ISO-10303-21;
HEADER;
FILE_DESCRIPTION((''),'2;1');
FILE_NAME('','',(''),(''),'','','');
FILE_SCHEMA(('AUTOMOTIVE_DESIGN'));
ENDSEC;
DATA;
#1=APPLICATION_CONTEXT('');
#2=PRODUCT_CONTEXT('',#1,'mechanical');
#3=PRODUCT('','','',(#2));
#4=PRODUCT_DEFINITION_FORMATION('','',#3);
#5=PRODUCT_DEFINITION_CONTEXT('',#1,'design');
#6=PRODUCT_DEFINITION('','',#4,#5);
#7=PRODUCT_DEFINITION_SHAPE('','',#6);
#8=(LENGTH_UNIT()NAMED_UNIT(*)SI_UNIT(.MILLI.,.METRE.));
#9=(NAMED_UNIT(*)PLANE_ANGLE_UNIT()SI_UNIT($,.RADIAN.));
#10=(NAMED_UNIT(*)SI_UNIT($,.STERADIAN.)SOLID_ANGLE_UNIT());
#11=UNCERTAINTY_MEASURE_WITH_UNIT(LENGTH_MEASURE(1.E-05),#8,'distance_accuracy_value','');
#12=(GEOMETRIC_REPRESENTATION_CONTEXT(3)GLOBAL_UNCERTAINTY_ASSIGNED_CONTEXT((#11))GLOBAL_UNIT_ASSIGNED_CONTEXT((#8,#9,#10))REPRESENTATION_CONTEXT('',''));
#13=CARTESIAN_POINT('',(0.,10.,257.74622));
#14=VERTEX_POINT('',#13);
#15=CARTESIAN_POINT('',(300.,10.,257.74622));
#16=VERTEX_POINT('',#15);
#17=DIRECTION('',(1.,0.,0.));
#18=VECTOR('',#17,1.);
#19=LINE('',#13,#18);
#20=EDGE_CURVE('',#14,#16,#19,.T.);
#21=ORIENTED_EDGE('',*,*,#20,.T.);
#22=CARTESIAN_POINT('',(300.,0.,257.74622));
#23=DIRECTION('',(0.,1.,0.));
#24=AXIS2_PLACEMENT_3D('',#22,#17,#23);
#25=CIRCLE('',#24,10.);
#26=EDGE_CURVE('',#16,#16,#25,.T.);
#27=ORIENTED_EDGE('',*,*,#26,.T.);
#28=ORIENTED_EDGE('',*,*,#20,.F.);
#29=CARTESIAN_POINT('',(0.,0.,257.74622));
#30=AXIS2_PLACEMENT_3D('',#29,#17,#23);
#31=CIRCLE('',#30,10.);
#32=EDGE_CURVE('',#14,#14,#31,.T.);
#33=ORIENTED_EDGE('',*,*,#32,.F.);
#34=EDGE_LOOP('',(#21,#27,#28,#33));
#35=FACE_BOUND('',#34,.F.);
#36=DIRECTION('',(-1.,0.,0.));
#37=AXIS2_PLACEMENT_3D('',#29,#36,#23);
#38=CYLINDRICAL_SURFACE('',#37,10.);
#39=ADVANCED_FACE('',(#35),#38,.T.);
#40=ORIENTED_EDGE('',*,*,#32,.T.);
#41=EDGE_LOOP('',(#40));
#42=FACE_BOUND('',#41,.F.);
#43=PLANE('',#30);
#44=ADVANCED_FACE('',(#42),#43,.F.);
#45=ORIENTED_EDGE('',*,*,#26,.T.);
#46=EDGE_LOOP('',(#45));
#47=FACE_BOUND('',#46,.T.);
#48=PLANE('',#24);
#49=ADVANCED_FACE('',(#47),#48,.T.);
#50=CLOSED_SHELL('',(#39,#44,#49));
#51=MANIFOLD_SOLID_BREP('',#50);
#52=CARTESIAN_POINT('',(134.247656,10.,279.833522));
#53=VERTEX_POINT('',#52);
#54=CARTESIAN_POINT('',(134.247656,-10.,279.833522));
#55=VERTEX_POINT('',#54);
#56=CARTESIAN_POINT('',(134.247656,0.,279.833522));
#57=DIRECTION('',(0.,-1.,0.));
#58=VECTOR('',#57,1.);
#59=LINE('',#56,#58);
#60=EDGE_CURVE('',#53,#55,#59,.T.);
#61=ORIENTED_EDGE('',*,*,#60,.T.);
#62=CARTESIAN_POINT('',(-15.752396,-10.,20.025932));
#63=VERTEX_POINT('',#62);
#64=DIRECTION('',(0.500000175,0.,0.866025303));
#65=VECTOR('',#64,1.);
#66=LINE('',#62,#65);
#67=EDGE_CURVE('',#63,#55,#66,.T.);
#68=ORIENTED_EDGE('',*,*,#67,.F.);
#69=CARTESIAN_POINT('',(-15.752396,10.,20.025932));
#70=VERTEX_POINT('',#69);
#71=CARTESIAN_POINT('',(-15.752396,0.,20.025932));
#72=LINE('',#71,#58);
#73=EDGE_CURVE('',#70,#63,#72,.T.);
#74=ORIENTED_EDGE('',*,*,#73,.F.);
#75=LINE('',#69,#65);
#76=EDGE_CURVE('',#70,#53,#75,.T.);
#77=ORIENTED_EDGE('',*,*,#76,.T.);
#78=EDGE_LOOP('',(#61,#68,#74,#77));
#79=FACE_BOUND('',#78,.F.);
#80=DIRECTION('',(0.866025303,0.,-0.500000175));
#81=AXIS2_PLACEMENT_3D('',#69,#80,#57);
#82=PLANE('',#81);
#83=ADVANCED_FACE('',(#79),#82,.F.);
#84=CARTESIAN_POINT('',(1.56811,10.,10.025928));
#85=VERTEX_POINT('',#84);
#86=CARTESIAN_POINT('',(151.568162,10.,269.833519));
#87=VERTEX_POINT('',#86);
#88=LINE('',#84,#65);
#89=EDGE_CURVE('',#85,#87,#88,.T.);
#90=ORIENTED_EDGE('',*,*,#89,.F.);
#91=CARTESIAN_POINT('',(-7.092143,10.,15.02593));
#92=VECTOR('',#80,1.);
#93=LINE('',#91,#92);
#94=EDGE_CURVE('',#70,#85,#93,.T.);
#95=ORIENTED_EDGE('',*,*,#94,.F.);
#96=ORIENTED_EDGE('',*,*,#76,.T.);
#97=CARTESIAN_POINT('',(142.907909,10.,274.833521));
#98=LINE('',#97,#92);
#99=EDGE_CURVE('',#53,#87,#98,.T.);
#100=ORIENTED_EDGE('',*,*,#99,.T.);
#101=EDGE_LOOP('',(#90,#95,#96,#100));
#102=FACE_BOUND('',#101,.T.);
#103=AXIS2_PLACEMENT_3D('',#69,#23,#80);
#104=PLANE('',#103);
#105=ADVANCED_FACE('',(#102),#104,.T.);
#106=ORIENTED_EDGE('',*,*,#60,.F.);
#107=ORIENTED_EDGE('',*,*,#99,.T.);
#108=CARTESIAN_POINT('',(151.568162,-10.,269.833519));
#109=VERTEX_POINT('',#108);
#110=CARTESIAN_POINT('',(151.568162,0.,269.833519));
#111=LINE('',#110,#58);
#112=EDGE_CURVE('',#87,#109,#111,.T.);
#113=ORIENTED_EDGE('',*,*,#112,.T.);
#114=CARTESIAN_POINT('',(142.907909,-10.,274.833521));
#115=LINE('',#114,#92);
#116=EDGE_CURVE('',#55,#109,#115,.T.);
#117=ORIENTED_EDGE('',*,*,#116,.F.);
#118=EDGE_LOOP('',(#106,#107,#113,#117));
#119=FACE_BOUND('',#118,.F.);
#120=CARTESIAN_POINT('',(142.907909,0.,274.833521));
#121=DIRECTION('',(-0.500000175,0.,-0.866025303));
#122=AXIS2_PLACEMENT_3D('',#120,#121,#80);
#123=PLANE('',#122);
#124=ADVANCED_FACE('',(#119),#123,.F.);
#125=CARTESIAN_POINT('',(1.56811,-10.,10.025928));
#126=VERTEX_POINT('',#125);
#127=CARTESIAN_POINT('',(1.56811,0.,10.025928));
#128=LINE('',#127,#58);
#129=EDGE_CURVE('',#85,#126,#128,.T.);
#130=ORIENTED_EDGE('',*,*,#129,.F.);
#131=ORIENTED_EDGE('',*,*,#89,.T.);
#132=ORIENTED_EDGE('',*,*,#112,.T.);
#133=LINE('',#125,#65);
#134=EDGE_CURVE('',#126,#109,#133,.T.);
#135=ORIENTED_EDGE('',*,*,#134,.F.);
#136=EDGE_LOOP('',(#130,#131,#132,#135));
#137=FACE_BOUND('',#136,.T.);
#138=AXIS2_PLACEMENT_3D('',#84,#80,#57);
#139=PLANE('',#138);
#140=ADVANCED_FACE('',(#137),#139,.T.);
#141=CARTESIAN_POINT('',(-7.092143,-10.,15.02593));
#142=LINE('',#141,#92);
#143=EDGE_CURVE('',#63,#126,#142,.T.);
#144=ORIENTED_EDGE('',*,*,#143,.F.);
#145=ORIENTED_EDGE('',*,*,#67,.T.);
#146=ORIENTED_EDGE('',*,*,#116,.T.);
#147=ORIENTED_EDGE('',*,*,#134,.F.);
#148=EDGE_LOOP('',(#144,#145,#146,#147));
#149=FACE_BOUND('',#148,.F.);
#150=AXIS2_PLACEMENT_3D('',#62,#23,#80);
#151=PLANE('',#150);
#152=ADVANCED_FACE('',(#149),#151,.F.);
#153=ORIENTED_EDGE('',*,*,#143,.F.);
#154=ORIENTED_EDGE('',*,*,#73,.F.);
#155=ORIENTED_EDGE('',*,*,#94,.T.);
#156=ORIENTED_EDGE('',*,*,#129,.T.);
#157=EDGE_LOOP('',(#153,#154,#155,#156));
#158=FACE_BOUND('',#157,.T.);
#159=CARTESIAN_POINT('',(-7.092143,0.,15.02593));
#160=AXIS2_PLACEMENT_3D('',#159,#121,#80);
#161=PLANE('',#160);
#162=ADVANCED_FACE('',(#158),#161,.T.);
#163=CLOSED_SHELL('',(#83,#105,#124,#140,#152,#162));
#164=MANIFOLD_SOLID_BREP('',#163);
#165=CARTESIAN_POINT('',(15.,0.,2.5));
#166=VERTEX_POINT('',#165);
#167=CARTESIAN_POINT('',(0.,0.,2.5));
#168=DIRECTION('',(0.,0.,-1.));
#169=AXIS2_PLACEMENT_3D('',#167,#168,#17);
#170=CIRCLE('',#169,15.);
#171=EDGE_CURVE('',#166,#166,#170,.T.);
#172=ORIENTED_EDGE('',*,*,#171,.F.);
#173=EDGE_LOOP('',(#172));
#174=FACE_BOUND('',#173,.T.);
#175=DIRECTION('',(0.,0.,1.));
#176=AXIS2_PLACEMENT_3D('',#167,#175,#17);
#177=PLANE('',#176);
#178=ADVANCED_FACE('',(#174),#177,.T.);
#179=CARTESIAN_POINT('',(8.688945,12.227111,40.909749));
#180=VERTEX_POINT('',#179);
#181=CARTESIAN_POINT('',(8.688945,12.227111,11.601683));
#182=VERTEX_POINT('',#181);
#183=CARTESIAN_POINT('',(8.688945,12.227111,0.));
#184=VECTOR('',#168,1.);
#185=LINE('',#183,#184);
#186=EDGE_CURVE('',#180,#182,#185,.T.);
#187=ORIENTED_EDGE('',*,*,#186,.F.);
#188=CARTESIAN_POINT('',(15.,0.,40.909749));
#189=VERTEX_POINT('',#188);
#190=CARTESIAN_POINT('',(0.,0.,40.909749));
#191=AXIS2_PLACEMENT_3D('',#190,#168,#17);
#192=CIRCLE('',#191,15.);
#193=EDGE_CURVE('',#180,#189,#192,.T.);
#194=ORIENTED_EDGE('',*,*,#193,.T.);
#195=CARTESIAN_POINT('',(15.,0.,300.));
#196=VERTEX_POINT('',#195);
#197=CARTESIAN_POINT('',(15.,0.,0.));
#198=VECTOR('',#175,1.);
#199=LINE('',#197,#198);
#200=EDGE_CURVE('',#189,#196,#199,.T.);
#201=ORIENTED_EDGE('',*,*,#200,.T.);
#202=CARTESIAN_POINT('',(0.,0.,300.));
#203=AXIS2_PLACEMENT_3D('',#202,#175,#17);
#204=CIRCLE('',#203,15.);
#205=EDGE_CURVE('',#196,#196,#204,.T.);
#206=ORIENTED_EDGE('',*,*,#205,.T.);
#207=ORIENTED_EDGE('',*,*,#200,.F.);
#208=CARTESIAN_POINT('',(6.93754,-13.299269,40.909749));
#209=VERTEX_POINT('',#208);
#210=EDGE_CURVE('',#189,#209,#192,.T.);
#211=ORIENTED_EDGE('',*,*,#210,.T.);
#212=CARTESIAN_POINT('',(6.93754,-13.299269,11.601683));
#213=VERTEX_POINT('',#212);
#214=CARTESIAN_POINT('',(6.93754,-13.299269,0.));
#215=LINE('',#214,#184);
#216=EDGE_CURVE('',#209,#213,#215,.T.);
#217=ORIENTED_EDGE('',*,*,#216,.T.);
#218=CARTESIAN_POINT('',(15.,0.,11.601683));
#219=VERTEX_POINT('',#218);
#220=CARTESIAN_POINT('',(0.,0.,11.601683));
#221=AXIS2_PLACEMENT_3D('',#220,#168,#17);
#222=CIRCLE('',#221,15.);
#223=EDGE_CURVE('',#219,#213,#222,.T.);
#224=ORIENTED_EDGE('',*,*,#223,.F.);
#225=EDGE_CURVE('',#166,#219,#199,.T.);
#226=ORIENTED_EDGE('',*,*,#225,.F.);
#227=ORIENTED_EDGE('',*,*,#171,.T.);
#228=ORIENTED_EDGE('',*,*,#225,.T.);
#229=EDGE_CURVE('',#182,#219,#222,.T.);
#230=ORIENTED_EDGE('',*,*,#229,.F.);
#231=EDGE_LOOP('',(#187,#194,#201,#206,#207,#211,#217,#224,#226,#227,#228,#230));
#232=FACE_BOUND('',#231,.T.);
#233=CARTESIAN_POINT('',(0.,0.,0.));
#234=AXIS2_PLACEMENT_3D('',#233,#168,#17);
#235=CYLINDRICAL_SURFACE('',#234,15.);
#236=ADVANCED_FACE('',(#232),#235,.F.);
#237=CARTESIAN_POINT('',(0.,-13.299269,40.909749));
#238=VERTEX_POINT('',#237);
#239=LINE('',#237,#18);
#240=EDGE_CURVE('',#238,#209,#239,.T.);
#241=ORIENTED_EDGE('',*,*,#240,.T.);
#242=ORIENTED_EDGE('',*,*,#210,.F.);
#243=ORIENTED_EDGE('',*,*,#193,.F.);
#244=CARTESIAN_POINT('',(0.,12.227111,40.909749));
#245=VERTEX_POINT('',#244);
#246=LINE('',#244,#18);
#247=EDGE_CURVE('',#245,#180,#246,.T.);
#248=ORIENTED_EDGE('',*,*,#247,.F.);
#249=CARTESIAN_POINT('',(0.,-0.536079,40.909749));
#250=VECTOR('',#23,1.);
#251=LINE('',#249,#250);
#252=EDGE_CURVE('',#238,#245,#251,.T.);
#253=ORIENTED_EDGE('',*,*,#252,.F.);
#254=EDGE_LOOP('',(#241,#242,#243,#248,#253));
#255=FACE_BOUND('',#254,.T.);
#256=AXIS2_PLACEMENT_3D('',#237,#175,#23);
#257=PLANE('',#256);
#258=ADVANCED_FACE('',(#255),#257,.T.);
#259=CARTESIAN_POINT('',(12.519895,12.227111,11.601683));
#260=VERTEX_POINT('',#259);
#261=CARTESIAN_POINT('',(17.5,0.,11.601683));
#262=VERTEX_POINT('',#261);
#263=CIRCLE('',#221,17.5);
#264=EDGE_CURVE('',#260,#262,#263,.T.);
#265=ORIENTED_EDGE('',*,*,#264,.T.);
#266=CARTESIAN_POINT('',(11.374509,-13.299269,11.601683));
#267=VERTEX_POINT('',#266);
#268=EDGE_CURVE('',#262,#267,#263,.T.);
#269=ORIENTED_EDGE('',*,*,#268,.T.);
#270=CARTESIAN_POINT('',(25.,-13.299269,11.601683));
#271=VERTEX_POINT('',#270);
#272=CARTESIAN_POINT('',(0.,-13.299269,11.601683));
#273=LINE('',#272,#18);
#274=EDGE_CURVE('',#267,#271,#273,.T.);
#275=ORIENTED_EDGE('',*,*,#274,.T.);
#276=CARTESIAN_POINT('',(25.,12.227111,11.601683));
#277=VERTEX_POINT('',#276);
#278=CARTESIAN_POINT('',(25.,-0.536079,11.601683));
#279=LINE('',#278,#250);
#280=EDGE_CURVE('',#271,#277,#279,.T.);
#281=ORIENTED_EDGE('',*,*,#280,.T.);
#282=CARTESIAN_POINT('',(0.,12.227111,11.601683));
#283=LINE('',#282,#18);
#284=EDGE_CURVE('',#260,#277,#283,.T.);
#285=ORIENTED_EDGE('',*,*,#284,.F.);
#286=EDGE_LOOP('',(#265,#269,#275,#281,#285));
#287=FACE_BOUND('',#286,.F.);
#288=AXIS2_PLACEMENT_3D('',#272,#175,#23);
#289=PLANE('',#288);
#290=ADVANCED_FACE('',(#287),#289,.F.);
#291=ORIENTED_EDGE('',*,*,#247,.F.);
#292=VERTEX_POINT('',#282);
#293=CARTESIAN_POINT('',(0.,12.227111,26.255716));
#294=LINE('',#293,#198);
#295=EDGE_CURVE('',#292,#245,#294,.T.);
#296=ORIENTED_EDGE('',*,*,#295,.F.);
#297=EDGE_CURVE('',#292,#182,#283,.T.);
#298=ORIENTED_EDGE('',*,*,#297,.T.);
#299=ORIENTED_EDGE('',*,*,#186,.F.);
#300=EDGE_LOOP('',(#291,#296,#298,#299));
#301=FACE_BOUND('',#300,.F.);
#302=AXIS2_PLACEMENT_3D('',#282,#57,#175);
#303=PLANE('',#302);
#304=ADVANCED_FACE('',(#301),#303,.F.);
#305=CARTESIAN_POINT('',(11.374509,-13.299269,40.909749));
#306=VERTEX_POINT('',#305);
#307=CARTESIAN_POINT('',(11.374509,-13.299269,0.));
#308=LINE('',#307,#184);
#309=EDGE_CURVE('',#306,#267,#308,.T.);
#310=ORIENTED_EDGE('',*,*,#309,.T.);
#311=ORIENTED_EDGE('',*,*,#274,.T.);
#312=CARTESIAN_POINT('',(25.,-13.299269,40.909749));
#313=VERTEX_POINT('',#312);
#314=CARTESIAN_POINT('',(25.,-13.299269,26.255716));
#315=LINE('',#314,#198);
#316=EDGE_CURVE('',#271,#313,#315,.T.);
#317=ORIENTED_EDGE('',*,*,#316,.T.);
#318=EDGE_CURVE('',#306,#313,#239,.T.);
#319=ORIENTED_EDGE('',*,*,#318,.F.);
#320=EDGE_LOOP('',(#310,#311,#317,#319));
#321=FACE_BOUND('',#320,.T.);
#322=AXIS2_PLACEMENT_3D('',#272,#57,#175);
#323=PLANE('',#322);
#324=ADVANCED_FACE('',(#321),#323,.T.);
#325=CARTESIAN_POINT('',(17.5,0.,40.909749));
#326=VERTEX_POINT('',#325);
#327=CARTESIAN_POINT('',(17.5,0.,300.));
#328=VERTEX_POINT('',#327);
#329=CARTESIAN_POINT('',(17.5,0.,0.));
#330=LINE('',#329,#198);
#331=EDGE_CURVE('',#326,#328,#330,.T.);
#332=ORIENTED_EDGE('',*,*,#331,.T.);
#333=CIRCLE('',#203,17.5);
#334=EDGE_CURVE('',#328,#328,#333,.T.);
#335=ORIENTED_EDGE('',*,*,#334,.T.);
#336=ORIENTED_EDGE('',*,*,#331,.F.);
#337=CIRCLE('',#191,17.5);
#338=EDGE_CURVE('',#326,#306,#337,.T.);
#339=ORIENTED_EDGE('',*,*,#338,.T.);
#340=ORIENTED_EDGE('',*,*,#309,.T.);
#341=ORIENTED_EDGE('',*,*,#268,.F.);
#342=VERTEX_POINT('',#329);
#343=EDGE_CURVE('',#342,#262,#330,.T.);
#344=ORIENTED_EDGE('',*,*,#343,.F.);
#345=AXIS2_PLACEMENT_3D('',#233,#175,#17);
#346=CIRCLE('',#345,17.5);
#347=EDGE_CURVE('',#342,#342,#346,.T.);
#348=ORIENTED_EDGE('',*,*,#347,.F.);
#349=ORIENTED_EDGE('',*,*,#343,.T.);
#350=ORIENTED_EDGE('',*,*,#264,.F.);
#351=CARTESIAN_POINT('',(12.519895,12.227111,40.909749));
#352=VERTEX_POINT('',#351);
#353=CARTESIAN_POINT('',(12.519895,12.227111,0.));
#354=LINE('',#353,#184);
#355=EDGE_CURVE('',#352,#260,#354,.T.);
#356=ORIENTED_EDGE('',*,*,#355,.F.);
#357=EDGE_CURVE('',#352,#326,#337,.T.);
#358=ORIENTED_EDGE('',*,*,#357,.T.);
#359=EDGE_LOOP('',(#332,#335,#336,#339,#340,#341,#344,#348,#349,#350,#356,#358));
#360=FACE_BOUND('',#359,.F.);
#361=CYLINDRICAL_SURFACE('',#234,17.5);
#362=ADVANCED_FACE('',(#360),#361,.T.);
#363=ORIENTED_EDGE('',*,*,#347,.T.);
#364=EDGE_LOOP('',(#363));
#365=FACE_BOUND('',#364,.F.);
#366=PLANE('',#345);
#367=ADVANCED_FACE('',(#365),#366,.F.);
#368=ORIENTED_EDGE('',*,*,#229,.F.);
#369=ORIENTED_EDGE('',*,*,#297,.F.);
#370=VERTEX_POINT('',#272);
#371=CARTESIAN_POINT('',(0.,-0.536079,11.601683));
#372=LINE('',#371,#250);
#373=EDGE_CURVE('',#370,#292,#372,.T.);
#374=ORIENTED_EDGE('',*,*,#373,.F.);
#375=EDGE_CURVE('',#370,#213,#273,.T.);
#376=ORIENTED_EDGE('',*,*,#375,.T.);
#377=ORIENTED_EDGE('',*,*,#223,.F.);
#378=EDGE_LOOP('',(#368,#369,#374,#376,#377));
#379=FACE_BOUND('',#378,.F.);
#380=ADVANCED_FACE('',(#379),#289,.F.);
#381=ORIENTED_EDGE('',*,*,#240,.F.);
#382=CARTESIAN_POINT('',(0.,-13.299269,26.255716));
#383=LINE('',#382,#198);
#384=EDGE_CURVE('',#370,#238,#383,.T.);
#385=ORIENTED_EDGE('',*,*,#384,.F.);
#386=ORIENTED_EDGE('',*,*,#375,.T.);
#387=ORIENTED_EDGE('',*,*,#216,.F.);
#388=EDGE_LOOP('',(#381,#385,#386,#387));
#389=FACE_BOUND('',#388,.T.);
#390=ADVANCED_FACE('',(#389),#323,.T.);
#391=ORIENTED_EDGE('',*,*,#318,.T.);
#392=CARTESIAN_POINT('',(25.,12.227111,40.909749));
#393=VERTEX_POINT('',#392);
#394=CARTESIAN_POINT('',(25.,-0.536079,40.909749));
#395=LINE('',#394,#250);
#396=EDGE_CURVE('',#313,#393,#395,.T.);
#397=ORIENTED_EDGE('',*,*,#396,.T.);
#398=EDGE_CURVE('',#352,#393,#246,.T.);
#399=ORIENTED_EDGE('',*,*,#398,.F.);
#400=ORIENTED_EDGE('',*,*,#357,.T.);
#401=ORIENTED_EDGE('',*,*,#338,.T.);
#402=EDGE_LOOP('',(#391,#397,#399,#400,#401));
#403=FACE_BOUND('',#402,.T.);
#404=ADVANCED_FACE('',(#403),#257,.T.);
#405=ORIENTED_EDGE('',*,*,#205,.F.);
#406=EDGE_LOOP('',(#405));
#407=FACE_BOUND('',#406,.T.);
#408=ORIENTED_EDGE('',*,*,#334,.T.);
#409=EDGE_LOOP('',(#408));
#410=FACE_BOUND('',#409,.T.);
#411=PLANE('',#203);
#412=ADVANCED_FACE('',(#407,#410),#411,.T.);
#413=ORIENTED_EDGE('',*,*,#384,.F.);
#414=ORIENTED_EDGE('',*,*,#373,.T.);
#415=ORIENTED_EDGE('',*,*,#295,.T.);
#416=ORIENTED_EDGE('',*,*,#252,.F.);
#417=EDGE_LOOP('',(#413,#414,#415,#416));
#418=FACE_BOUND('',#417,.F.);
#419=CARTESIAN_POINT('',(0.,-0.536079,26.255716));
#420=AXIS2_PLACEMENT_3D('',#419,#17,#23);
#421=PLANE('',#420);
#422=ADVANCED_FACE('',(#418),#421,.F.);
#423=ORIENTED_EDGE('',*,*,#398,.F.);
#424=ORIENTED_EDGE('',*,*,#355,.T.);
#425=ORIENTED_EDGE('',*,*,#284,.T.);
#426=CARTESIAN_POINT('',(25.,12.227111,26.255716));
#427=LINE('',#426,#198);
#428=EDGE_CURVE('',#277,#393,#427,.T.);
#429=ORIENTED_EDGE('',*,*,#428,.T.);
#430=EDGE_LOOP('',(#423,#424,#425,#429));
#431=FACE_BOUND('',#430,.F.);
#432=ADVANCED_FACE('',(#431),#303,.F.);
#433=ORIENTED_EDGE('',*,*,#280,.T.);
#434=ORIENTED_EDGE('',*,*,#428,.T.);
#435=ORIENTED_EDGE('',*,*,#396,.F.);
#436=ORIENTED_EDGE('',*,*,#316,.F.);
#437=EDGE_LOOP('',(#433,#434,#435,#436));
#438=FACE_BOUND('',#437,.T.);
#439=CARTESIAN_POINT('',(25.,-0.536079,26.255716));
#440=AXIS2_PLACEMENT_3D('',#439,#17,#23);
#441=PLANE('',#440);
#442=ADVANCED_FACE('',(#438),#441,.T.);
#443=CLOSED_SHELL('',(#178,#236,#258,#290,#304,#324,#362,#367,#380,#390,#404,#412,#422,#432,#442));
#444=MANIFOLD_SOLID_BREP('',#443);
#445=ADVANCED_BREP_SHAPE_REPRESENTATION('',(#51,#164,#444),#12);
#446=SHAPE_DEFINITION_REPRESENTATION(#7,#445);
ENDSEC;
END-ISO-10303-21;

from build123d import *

# Parameters (mm, degrees)
F0_R      = 17.5
F1_DEPTH  = 300
F2_T      = -2.5
F3_R      = 10
F4_DEPTH  = 300
F5_W      = 25.526379
F5_H      = 29.308066
F7_DEPTH  = 25
F10_W     = 20
F10_H     = 20
F11_DEPTH = 300


with BuildPart() as f1:
    # F0 (on Top) → F1 (new body)
    with BuildSketch(Plane.XY):
        Circle(F0_R)
    extrude(amount=F1_DEPTH)

    # F2
    f2_openings = [f1.faces().sort_by_distance(p)[0] for p in [
        (0, 0, 300),
    ]]
    offset(amount=F2_T, openings=f2_openings)

    # F5 (on Right) → F7 (join)
    with BuildSketch(Plane.YZ):
        with Locations((-0.536079, 26.255716)):
            Rectangle(F5_W, F5_H)
    extrude(amount=F7_DEPTH)


with BuildPart() as f4:
    # F3 (on Right) → F4 (new body)
    with BuildSketch(Plane.YZ):
        with Locations((0, 257.74622)):
            Circle(F3_R)
    extrude(amount=F4_DEPTH)


with BuildPart() as f11:
    # F10 (on face) → F11 (new body)
    with BuildSketch(Plane(origin=(4.733381, 0, 8.198457), x_dir=(0.866025, 0, -0.5), z_dir=(-0.5, 0, -0.866025))):
        with Locations((-13.654941, 0)):
            Rectangle(F10_W, F10_H)
    extrude(amount=-F11_DEPTH)


solid = Compound([f1.part, f4.part, f11.part])
